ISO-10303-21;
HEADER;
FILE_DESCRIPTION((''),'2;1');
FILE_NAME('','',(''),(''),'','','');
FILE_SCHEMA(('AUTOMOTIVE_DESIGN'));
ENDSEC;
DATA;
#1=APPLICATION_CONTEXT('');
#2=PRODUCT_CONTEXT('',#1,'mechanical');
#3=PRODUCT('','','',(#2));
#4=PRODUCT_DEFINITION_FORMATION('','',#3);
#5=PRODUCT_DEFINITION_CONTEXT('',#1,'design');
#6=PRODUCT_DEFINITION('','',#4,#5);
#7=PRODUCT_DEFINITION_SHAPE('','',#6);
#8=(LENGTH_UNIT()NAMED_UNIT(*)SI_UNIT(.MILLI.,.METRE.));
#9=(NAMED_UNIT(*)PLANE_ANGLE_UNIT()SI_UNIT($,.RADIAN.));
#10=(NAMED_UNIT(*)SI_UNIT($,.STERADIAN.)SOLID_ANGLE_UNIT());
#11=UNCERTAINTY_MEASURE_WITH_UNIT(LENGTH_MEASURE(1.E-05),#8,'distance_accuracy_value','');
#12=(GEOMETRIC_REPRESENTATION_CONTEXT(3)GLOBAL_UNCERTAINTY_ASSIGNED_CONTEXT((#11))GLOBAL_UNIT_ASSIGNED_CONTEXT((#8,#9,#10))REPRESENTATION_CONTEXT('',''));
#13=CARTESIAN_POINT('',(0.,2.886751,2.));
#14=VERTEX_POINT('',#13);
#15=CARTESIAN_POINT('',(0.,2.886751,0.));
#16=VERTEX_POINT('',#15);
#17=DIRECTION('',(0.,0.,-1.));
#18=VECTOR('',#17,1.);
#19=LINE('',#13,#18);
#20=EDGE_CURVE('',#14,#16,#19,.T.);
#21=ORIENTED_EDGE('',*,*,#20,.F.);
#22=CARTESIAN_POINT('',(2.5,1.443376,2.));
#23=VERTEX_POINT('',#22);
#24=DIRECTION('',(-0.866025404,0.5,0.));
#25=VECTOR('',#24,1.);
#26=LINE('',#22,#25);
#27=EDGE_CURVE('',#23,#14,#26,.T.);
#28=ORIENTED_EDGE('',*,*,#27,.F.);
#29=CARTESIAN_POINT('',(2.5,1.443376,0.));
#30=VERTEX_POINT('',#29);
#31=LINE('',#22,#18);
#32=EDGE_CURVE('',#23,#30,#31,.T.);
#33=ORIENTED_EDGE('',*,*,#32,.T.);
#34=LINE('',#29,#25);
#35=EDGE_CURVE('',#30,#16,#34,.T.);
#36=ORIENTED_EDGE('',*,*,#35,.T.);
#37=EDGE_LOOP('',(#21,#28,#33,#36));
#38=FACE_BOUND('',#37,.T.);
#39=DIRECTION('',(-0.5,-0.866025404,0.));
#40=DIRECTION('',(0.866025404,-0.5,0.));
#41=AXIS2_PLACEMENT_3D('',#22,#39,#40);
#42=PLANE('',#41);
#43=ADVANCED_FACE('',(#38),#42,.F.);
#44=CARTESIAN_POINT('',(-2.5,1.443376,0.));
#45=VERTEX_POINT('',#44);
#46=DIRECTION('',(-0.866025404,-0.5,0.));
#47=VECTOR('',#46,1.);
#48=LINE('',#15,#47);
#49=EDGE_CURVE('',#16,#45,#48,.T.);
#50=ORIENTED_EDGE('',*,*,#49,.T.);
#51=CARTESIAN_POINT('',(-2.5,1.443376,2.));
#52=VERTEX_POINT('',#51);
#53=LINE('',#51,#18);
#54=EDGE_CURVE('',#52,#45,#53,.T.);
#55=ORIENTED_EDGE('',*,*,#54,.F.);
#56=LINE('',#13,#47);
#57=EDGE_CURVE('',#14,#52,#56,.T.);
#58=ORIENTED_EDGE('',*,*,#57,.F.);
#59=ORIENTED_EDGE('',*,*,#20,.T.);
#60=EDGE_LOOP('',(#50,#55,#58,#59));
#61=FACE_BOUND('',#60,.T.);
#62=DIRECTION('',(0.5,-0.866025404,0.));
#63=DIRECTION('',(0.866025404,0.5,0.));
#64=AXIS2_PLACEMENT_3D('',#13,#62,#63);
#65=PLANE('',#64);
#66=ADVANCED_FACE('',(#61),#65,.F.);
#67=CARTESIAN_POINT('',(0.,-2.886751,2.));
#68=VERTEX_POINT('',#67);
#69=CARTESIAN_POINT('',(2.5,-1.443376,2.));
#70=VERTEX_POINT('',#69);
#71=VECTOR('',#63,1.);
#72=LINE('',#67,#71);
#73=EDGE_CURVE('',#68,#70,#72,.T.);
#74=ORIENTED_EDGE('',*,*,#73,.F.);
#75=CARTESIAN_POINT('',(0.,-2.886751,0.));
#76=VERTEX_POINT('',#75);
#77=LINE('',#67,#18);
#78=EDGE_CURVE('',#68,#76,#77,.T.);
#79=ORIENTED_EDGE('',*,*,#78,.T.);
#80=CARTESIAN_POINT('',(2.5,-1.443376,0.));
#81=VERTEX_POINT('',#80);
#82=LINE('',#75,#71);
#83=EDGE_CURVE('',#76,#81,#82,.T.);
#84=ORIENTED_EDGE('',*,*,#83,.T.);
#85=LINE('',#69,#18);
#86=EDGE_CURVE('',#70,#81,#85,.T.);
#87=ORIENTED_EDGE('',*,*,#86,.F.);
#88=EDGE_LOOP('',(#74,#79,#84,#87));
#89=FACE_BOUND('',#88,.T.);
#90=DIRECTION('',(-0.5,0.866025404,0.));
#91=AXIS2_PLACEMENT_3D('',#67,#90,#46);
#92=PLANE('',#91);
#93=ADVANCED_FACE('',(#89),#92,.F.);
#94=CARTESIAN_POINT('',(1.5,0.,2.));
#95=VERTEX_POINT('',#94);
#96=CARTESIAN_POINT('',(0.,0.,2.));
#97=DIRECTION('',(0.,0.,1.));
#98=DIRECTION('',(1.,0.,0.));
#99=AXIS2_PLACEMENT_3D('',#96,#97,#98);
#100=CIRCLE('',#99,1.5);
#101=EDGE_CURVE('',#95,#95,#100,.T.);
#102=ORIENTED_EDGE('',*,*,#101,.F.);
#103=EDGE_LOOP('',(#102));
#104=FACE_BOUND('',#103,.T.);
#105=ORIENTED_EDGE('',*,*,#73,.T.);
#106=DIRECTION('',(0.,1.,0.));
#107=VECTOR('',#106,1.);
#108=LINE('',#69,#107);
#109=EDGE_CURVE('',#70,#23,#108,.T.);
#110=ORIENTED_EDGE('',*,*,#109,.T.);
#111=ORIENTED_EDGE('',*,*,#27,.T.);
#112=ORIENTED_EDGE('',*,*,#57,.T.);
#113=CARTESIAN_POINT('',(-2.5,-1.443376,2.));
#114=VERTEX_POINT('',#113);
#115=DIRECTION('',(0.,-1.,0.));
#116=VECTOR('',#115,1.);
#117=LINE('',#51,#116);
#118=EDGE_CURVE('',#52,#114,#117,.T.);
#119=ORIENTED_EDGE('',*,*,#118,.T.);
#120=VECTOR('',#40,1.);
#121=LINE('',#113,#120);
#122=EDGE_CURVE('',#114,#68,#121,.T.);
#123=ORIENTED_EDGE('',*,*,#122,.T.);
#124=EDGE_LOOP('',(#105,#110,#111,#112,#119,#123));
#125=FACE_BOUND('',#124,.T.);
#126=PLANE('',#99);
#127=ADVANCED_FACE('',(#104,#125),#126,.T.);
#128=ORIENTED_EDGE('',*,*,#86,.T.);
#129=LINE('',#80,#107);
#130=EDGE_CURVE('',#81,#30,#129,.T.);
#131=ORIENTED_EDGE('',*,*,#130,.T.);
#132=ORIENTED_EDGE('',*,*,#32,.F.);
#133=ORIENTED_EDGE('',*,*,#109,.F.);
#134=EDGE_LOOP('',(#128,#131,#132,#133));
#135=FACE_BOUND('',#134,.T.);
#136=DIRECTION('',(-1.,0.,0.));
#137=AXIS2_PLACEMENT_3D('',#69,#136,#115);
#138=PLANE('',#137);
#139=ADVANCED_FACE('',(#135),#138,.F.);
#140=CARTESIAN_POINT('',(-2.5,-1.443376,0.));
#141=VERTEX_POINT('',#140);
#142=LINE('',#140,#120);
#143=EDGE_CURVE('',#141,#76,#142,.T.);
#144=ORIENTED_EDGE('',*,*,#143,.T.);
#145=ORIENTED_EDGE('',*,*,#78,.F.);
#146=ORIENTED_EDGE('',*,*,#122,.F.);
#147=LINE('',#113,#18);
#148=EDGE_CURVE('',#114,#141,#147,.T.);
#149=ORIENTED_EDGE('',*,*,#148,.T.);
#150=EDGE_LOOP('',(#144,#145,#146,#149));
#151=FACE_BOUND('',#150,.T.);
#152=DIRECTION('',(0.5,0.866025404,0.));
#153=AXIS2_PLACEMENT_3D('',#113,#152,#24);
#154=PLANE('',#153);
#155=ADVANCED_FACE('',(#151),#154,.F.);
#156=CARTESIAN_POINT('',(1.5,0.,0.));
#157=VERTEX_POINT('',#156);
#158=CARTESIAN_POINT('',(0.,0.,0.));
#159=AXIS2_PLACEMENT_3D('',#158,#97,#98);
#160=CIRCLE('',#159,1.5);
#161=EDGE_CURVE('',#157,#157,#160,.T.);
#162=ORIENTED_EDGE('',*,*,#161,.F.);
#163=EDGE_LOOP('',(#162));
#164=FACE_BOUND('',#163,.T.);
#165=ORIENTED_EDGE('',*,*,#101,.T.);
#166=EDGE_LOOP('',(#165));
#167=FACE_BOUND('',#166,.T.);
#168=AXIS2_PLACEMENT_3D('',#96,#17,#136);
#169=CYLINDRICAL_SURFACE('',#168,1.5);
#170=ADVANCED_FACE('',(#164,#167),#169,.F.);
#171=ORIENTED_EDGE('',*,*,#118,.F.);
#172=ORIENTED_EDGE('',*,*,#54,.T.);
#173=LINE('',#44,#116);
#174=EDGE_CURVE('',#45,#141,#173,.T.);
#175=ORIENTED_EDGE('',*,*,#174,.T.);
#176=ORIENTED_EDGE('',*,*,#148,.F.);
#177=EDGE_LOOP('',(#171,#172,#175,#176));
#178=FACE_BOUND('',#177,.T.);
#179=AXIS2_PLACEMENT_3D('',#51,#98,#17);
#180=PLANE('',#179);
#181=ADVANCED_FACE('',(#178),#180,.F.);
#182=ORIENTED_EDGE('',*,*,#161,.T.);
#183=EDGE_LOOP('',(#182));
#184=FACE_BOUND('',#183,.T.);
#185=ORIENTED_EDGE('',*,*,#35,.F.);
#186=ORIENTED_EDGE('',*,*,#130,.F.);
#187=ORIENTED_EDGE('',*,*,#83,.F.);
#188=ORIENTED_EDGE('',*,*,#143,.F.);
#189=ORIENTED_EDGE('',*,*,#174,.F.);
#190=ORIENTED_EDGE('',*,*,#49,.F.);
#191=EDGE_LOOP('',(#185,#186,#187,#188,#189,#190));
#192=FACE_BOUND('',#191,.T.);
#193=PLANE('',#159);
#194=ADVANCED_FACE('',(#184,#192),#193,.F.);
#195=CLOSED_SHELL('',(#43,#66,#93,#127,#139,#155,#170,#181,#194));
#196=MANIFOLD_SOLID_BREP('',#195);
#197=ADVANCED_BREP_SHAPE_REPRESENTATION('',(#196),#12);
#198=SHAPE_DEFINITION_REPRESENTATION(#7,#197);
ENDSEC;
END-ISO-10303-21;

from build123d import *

# Parameters (mm, degrees)
SKETCH_1_R      = 1.5
EXTRUDE_1_DEPTH = 2


with BuildPart() as part:
    # 草图1 → 凸台-拉伸1 (new body)
    with BuildSketch(Plane.XY):
        Polygon((0, 2.886751346), (-2.5, 1.443375673), (-2.5, -1.443375673), (0, -2.886751346), (2.5, -1.443375673), (2.5, 1.443375673), align=None)
        Circle(SKETCH_1_R, mode=Mode.SUBTRACT)
    extrude(amount=EXTRUDE_1_DEPTH)


solid = part.part
